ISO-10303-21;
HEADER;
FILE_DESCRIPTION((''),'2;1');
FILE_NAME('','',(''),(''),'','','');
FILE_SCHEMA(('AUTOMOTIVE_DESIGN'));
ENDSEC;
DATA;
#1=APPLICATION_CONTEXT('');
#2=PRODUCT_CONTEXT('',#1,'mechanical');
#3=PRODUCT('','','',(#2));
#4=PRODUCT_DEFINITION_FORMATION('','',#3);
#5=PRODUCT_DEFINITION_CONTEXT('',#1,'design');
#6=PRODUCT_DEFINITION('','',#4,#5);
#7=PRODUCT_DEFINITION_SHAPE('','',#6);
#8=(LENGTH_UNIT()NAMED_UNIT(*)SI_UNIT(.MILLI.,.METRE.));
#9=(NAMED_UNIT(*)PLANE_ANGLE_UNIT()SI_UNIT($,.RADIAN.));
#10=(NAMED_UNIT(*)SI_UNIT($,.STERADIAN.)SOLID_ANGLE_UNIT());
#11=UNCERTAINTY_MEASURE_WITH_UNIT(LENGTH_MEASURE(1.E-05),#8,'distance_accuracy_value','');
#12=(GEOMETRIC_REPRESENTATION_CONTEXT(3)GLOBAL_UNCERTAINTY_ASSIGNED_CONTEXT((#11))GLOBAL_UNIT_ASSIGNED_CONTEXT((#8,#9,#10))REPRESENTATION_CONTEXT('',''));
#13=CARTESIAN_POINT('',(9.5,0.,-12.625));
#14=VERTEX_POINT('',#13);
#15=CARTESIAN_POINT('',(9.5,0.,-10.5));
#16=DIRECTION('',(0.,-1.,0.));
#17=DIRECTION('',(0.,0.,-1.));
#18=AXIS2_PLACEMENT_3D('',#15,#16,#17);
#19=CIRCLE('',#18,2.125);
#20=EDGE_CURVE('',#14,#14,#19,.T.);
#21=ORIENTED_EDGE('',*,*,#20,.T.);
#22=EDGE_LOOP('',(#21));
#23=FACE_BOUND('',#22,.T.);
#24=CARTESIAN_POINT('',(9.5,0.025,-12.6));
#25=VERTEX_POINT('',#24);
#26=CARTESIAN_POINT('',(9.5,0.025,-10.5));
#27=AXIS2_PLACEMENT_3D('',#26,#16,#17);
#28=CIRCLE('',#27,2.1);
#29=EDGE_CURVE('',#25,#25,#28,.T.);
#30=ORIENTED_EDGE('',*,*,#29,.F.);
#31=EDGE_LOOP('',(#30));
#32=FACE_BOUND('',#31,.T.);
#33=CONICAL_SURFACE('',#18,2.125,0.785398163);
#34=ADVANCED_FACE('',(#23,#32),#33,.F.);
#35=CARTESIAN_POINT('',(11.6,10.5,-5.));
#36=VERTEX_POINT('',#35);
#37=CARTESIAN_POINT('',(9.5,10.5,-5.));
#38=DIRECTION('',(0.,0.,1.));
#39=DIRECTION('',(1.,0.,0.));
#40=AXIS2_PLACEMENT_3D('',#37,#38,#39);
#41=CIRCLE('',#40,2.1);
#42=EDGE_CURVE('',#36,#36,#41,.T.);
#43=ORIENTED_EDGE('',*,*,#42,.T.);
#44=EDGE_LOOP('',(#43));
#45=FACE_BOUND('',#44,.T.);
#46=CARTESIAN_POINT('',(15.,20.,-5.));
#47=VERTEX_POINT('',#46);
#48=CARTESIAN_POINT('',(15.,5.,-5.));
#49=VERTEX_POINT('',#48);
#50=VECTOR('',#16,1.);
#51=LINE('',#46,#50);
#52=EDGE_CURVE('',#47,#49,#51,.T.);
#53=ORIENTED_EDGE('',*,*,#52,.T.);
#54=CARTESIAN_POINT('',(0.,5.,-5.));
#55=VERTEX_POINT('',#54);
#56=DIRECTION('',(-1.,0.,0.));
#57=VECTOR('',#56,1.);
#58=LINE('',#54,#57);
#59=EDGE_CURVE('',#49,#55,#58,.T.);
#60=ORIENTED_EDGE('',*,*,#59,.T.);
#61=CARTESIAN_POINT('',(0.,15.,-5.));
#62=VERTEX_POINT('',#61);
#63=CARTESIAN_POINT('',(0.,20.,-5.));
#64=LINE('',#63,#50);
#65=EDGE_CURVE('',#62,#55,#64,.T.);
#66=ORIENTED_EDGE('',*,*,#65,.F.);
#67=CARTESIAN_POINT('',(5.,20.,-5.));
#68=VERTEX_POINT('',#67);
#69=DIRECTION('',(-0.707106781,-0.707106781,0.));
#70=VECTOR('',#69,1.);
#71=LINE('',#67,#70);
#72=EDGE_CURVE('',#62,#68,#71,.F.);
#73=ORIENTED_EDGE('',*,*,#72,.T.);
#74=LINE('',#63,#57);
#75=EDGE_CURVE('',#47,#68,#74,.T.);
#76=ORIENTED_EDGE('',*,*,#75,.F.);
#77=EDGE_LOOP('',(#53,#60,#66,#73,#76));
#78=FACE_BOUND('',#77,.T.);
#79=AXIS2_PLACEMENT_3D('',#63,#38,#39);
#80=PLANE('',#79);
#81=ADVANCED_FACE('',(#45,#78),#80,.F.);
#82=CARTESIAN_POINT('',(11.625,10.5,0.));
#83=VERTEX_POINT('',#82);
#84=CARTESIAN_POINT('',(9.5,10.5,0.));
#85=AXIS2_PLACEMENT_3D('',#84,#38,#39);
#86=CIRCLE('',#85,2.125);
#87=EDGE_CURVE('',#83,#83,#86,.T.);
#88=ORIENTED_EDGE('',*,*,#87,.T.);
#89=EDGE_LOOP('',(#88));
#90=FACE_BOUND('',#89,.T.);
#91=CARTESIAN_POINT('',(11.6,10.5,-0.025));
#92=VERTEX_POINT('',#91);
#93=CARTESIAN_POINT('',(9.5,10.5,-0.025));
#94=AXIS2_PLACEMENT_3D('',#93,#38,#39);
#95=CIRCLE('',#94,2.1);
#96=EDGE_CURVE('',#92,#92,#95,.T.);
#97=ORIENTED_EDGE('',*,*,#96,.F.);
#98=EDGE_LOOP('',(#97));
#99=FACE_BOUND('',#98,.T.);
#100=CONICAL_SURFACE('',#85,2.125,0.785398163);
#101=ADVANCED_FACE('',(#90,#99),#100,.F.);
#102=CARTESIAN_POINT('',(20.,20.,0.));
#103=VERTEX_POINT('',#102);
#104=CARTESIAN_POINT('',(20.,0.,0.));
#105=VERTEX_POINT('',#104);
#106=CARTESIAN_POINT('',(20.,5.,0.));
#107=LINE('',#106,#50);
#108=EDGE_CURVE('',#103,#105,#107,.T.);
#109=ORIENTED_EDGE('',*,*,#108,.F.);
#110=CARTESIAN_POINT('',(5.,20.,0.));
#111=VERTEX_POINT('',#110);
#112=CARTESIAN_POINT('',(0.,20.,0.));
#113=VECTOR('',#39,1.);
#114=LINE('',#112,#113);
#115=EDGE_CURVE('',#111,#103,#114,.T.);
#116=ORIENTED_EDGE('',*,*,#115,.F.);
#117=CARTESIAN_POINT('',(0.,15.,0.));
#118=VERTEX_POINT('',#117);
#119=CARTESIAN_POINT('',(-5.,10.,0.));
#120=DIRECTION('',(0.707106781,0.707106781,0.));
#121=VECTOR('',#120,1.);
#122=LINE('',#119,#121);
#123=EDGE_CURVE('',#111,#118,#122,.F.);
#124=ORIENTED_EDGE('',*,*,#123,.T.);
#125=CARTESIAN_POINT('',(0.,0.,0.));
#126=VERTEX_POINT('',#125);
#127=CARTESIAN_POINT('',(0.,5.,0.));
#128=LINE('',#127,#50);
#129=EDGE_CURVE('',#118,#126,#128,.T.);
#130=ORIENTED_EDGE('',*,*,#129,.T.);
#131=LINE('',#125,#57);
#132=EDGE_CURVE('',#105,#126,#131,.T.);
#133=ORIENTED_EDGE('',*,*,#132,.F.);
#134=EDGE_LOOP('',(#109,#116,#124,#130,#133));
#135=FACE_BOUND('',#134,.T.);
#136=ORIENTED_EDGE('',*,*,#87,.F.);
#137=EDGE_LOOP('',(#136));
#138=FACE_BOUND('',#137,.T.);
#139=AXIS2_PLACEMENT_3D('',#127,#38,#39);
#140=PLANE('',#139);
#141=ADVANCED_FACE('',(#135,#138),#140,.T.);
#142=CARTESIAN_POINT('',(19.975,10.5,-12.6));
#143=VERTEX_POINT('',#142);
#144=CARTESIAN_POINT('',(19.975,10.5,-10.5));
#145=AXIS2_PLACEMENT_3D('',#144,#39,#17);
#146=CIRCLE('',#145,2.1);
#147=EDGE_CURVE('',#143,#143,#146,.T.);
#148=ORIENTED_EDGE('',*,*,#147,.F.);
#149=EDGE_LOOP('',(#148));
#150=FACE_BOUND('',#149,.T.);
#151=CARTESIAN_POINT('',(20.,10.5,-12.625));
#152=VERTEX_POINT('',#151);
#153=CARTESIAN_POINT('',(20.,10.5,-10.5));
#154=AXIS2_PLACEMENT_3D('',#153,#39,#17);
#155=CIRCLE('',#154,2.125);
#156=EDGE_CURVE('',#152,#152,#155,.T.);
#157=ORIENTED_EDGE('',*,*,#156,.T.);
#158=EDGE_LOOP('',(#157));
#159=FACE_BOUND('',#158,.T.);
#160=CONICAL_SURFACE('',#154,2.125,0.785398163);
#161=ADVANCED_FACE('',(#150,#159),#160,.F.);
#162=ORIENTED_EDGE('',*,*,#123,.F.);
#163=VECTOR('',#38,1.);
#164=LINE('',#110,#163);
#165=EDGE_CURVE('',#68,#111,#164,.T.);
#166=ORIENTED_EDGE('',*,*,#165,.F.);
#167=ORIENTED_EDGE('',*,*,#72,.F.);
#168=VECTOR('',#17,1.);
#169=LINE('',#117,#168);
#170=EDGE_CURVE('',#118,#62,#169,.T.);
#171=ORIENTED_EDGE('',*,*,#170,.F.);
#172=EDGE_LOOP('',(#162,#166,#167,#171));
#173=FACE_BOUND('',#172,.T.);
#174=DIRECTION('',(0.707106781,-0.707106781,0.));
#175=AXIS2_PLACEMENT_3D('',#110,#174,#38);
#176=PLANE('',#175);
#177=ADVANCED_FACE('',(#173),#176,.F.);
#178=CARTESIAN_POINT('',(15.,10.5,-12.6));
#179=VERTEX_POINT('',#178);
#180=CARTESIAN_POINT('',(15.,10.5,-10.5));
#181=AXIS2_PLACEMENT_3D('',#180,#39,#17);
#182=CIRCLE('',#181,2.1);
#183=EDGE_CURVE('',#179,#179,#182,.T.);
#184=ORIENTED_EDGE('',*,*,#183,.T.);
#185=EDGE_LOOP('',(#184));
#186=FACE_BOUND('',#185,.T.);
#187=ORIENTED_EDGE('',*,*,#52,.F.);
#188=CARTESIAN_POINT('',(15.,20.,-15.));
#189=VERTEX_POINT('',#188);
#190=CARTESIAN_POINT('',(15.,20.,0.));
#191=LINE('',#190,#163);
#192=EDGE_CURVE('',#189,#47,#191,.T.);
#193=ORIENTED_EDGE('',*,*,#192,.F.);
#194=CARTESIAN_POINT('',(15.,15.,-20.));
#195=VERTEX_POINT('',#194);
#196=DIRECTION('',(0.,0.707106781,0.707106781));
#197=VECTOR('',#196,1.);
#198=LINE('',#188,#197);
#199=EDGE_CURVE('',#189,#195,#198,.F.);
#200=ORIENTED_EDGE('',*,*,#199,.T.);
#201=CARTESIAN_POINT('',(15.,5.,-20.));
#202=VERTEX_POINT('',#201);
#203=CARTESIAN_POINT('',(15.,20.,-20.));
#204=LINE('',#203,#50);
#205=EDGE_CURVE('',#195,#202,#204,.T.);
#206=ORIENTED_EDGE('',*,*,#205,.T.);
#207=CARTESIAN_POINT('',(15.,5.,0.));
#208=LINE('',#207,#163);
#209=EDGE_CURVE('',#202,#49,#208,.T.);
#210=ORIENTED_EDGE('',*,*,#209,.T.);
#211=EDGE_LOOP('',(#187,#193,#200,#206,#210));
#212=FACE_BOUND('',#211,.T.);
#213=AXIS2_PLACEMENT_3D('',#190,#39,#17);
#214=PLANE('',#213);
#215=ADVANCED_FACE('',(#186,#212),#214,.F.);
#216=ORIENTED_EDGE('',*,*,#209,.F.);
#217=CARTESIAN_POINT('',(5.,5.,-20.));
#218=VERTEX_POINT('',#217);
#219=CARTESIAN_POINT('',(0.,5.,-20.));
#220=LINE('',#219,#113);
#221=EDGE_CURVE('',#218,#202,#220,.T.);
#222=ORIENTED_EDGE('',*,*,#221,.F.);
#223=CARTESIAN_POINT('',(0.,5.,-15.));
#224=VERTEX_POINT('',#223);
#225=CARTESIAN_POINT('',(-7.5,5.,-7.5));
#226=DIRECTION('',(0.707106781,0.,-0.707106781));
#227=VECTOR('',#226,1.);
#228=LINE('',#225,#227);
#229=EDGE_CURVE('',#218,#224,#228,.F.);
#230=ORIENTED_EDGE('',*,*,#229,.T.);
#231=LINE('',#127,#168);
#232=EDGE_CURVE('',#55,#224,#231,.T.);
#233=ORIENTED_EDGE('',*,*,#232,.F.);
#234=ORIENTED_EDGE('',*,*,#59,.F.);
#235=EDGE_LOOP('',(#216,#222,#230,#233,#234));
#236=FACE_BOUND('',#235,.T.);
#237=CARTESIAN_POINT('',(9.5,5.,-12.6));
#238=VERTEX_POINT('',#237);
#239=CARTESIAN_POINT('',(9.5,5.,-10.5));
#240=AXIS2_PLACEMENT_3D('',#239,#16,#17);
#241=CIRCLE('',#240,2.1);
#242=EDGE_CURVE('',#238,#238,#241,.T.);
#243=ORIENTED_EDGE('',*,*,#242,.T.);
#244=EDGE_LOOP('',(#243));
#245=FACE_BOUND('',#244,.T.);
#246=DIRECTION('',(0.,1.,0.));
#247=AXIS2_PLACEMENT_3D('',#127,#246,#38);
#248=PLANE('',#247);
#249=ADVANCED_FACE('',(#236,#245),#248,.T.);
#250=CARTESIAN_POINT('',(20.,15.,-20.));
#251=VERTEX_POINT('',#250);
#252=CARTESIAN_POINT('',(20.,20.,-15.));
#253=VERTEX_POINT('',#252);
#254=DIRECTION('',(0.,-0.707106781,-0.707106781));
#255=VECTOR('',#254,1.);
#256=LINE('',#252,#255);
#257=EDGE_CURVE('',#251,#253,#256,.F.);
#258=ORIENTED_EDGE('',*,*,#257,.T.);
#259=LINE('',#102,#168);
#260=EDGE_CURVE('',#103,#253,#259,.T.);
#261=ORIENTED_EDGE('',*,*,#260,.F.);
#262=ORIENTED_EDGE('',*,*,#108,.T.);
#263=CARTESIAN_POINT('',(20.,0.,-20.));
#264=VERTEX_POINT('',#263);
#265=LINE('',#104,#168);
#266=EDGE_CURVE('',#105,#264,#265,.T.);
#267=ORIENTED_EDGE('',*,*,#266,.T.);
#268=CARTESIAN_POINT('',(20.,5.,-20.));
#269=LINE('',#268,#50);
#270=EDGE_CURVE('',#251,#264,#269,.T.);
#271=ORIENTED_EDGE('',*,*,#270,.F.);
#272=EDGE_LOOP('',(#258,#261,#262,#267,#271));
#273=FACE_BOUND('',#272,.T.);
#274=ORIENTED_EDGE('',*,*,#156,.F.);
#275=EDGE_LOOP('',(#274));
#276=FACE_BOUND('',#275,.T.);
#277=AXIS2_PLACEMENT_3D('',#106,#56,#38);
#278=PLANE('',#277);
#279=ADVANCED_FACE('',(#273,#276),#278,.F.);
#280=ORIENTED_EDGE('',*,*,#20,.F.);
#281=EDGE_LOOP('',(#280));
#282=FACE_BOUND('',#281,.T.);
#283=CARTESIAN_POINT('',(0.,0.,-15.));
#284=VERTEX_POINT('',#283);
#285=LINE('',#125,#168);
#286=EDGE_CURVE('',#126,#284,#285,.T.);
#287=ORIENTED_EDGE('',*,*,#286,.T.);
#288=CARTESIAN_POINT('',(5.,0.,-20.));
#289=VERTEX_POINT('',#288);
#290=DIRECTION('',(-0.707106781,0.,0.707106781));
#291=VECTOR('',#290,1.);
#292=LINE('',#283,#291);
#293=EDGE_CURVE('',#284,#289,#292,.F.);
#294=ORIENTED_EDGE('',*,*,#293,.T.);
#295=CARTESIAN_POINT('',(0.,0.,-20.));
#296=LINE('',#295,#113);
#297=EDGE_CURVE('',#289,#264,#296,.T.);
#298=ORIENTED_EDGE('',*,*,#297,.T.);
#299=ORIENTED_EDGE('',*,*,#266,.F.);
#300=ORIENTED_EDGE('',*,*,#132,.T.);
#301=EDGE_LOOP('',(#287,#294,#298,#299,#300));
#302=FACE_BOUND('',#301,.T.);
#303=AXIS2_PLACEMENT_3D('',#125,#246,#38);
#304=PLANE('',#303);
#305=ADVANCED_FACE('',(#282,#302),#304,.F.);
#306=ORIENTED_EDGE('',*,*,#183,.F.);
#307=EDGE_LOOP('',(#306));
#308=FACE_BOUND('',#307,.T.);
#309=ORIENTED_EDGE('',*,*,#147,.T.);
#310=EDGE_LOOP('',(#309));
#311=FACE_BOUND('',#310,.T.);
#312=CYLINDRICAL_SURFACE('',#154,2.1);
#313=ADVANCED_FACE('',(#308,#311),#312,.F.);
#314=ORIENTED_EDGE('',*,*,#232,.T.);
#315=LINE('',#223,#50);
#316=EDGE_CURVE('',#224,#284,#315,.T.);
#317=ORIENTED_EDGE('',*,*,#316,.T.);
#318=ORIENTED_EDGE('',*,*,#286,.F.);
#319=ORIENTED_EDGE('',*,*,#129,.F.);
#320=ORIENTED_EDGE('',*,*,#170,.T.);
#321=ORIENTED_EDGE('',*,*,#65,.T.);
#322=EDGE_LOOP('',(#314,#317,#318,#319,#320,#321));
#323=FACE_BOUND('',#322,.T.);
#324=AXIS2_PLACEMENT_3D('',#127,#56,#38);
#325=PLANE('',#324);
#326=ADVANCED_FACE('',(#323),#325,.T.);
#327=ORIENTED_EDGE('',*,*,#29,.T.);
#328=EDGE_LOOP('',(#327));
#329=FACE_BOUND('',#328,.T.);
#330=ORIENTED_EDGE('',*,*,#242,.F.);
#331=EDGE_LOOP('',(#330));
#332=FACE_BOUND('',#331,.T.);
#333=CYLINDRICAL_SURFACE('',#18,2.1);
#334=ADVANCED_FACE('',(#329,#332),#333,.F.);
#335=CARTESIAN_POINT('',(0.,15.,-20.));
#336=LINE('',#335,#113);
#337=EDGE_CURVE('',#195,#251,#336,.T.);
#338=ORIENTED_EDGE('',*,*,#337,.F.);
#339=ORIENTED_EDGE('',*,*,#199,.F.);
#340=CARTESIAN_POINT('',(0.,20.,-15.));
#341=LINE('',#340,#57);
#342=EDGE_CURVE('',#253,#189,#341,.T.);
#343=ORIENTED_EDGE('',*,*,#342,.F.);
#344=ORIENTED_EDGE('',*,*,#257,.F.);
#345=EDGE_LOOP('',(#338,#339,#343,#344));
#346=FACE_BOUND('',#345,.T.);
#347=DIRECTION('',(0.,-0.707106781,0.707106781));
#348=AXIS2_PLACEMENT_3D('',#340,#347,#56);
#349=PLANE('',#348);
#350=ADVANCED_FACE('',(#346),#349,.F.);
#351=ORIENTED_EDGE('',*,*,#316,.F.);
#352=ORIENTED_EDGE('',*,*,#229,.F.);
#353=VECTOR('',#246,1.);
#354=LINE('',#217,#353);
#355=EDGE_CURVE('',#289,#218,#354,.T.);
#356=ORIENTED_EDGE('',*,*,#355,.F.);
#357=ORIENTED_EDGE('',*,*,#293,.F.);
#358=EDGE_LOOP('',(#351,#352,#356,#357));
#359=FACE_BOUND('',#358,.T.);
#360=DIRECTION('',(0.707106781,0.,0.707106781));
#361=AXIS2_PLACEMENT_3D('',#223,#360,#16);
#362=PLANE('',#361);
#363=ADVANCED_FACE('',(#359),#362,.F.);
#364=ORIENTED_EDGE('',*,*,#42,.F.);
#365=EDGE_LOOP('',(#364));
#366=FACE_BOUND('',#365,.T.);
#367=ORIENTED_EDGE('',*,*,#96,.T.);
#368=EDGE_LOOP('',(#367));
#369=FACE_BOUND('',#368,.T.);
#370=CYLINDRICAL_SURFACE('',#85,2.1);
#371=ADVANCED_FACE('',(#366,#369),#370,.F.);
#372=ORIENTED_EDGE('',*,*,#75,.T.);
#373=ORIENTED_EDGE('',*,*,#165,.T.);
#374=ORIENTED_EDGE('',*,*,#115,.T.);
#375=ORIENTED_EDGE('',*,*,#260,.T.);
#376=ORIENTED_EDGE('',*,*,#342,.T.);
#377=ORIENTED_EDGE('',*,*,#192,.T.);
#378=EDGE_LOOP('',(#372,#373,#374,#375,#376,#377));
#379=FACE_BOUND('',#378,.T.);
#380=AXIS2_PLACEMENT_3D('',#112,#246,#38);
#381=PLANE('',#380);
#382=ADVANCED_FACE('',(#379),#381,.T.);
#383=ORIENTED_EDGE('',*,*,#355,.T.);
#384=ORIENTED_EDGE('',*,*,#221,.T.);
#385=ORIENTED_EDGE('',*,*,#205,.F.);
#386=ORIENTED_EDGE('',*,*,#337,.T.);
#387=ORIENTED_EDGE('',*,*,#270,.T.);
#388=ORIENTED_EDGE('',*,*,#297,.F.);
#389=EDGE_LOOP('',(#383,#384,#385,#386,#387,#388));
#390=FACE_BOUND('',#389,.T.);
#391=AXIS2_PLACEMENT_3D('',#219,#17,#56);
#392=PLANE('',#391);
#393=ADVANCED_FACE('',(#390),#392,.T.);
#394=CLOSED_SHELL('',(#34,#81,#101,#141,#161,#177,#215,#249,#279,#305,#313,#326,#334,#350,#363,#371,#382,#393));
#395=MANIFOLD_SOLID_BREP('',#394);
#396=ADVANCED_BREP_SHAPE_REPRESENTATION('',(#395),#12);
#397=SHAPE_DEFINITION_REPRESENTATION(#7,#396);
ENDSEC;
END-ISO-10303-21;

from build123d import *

# Parameters (mm, degrees)
BOSS_EXTRUDE1_DEPTH                   = 5
TAP_DRILL_FOR_M5X0_8_TAP1_D           = 4.2
TAP_DRILL_FOR_M5X0_8_TAP1_CSINK_D     = 4.25
TAP_DRILL_FOR_M5X0_8_TAP1_CSINK_ANGLE = 90
SKETCH4_W                             = 5
SKETCH4_H                             = 15
SKETCH4_H_2                           = 5
SKETCH4_W_2                           = 15
BOSS_EXTRUDE2_DEPTH                   = 15
TAP_DRILL_FOR_M5X0_8_TAP2_D           = 4.2
TAP_DRILL_FOR_M5X0_8_TAP2_CSINK_D     = 4.25
TAP_DRILL_FOR_M5X0_8_TAP2_CSINK_ANGLE = 90
TAP_DRILL_FOR_M5X0_8_TAP3_D           = 4.2
TAP_DRILL_FOR_M5X0_8_TAP3_CSINK_D     = 4.25
TAP_DRILL_FOR_M5X0_8_TAP3_CSINK_ANGLE = 90
CHAMFER1_SIZE                         = 5


with BuildPart() as part:
    # Sketch1 → Boss-Extrude1 (new body)
    with BuildSketch(Plane(origin=(0, 0, 0), x_dir=(1, 0, 0), z_dir=(0, 1, 0))):
        Polygon((9.5, 0), (20, 0), (20, 20), (0, 20), (0, 0), align=None)
    extrude(amount=BOSS_EXTRUDE1_DEPTH)

    # Tap Drill for M5x0.8 Tap1 (through all)
    with Locations(Plane(origin=(0, 0, 0), x_dir=(-1, 0, 0), z_dir=(0, -1, 0))):
        with Locations((-9.5, 10.5)):
            CounterSinkHole(TAP_DRILL_FOR_M5X0_8_TAP1_D / 2, TAP_DRILL_FOR_M5X0_8_TAP1_CSINK_D / 2, counter_sink_angle=TAP_DRILL_FOR_M5X0_8_TAP1_CSINK_ANGLE)

    # Sketch4 → Boss-Extrude2 (add)
    with BuildSketch(Plane(origin=(0, 5, 0), x_dir=(1, 0, 0), z_dir=(0, 1, 0))):
        with Locations((17.5, 12.5)):
            Rectangle(SKETCH4_W, SKETCH4_H)
        with Locations((17.5, 2.5)):
            Rectangle(SKETCH4_W, SKETCH4_H_2)
        with Locations((7.5, 2.5)):
            Rectangle(SKETCH4_W_2, SKETCH4_H_2)
    extrude(amount=BOSS_EXTRUDE2_DEPTH)

    # Tap Drill for M5x0.8 Tap2 (through all)
    with Locations(Plane.XY):
        with Locations((9.5, 10.5)):
            CounterSinkHole(TAP_DRILL_FOR_M5X0_8_TAP2_D / 2, TAP_DRILL_FOR_M5X0_8_TAP2_CSINK_D / 2, counter_sink_angle=TAP_DRILL_FOR_M5X0_8_TAP2_CSINK_ANGLE)

    # Tap Drill for M5x0.8 Tap3 (through all)
    with Locations(Plane(origin=(20, 0, 0), x_dir=(0, 0, -1), z_dir=(1, 0, 0))):
        with Locations((10.5, 10.5)):
            CounterSinkHole(TAP_DRILL_FOR_M5X0_8_TAP3_D / 2, TAP_DRILL_FOR_M5X0_8_TAP3_CSINK_D / 2, counter_sink_angle=TAP_DRILL_FOR_M5X0_8_TAP3_CSINK_ANGLE)

    # Chamfer1
    chamfer1_edges = [part.edges().sort_by_distance(p)[0] for p in [
        (0, 20, -2.5),
        (17.5, 20, -20),
        (0, 2.5, -20),
    ]]
    chamfer(chamfer1_edges, length=CHAMFER1_SIZE)


solid = part.part
